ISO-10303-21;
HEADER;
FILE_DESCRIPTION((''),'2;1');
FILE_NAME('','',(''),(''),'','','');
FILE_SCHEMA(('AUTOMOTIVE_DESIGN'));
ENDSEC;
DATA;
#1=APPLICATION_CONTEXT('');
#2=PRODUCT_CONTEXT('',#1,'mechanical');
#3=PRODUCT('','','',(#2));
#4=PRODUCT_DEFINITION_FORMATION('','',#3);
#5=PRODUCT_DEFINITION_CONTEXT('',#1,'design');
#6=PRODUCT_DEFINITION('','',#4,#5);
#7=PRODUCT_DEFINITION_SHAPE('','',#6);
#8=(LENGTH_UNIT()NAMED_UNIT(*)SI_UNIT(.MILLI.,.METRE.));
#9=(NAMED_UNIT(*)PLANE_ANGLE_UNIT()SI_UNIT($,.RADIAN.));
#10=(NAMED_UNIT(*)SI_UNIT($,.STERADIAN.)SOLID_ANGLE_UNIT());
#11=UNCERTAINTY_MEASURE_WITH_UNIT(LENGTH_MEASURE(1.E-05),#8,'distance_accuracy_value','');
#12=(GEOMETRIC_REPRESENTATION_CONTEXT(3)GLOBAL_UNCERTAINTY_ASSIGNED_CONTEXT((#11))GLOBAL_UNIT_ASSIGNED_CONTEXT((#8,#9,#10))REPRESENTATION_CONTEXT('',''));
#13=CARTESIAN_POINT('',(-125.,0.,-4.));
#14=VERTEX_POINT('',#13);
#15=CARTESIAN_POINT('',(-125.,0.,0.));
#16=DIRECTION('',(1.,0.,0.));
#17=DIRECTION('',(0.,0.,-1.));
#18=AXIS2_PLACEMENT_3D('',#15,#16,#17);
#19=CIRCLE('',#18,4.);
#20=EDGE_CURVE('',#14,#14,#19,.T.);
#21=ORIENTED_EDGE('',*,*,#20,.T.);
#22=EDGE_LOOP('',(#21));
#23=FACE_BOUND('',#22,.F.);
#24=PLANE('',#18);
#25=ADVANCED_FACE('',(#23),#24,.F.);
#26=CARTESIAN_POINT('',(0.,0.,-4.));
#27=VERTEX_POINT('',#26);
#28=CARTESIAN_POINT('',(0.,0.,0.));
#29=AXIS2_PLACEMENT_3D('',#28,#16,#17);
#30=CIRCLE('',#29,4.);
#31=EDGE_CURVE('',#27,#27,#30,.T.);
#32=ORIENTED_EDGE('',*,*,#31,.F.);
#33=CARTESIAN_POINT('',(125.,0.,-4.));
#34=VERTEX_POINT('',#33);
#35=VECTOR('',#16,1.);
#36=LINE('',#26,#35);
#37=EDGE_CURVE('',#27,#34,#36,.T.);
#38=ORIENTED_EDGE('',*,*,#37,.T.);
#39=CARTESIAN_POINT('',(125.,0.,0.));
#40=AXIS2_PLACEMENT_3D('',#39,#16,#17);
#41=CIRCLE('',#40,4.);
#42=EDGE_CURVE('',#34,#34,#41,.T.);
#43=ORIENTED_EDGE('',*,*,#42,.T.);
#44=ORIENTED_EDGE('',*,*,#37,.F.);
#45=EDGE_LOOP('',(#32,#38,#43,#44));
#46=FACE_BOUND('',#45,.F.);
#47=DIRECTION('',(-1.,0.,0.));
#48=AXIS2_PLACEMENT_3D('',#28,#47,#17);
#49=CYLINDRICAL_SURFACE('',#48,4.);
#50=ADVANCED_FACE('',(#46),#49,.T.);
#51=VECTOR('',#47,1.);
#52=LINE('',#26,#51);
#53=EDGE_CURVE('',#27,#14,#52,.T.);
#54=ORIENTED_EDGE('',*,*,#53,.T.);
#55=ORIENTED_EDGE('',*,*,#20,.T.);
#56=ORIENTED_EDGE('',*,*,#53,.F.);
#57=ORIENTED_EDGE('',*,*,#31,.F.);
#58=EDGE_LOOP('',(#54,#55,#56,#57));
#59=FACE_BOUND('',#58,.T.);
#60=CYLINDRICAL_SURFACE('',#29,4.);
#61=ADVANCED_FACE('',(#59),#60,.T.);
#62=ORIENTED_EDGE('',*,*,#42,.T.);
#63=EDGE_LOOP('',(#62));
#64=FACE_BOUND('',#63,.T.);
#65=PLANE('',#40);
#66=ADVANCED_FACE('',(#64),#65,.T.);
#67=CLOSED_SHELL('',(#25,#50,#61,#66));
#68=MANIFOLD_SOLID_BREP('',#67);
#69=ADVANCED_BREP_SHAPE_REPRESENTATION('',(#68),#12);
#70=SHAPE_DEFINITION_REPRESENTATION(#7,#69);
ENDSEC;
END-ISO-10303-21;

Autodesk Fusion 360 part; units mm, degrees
sketch "Sketch1" plane through (0, 0, 0) normal (1, 0, 0) x (0, 0, -1)
  circle A0 centre (0, 0) radius 4
  dimension "d1" = 8
extrude "Extrude1" add sketch "Sketch1" along normal blind 125 and the other way blind 125
thread "Thread1"
